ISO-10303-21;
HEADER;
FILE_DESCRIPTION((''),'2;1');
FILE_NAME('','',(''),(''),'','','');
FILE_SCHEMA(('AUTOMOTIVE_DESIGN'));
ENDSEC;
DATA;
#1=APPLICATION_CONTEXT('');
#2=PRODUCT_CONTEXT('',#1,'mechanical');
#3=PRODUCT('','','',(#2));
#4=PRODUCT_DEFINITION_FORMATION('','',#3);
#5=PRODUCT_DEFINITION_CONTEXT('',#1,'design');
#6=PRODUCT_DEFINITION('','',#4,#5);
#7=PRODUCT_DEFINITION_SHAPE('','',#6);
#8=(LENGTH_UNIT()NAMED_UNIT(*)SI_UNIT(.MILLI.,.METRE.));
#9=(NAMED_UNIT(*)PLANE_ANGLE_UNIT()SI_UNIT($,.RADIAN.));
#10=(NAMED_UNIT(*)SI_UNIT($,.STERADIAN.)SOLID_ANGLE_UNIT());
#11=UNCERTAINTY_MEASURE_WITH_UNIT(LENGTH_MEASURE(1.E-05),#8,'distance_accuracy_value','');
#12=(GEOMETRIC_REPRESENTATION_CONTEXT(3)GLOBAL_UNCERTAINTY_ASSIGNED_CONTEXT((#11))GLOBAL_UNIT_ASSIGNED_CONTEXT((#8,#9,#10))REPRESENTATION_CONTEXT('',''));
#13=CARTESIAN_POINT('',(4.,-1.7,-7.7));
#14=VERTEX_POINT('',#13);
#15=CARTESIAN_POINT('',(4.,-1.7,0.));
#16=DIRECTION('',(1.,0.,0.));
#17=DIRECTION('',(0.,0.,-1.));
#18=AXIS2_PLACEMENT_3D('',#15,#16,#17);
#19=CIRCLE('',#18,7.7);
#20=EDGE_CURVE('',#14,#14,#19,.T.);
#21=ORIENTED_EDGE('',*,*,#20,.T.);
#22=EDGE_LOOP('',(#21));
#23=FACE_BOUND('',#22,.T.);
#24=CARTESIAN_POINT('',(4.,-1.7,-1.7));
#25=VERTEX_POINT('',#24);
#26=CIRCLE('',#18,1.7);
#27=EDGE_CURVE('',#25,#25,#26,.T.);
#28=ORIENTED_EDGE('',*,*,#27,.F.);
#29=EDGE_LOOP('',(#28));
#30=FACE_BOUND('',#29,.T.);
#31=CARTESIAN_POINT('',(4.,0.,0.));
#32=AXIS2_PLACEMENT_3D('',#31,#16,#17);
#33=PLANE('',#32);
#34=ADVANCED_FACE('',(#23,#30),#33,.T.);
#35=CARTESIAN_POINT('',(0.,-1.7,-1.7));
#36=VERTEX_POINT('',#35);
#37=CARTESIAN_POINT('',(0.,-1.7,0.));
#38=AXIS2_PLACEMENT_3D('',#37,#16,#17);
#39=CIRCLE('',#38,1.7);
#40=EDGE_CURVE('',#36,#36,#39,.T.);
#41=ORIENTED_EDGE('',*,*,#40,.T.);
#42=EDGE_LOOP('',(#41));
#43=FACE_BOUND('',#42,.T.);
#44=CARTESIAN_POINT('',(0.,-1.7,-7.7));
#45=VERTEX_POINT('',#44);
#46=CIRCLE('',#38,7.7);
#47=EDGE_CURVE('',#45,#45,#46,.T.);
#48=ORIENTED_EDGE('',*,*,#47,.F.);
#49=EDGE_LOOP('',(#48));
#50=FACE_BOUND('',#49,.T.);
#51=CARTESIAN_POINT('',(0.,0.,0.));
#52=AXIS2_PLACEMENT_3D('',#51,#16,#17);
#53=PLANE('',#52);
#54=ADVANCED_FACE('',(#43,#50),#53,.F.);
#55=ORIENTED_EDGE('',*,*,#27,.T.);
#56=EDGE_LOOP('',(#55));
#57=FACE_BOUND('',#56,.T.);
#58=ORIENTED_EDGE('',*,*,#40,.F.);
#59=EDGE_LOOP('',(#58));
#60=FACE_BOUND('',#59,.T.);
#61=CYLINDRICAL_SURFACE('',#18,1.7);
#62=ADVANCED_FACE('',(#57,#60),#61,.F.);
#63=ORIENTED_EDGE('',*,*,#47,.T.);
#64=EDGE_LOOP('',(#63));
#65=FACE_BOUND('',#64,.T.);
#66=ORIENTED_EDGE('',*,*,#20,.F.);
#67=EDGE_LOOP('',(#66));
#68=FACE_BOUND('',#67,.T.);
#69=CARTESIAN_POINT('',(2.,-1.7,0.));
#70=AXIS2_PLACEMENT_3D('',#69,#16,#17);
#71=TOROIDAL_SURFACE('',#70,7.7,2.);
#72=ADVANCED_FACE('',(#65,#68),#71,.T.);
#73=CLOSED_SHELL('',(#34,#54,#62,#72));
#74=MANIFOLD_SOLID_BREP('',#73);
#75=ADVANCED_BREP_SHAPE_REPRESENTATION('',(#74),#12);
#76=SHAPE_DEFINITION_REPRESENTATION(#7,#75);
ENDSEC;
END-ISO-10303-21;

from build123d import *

# Parameters (mm, degrees)
SKETCH1_W = 4
SKETCH1_H = 6


with BuildPart() as part:
    # Sketch1 → Revolve1 (revolve)
    with BuildSketch(Plane.XY):
        with Locations((2, 3)):
            Rectangle(SKETCH1_W, SKETCH1_H)
        with BuildLine():
            ThreePointArc((0, 6), (2, 8), (4, 6))
            Line((4, 6), (0, 6))
        make_face()
    revolve(axis=Axis((4, -1.7, 0), (-1, 0, 0)))


solid = part.part
